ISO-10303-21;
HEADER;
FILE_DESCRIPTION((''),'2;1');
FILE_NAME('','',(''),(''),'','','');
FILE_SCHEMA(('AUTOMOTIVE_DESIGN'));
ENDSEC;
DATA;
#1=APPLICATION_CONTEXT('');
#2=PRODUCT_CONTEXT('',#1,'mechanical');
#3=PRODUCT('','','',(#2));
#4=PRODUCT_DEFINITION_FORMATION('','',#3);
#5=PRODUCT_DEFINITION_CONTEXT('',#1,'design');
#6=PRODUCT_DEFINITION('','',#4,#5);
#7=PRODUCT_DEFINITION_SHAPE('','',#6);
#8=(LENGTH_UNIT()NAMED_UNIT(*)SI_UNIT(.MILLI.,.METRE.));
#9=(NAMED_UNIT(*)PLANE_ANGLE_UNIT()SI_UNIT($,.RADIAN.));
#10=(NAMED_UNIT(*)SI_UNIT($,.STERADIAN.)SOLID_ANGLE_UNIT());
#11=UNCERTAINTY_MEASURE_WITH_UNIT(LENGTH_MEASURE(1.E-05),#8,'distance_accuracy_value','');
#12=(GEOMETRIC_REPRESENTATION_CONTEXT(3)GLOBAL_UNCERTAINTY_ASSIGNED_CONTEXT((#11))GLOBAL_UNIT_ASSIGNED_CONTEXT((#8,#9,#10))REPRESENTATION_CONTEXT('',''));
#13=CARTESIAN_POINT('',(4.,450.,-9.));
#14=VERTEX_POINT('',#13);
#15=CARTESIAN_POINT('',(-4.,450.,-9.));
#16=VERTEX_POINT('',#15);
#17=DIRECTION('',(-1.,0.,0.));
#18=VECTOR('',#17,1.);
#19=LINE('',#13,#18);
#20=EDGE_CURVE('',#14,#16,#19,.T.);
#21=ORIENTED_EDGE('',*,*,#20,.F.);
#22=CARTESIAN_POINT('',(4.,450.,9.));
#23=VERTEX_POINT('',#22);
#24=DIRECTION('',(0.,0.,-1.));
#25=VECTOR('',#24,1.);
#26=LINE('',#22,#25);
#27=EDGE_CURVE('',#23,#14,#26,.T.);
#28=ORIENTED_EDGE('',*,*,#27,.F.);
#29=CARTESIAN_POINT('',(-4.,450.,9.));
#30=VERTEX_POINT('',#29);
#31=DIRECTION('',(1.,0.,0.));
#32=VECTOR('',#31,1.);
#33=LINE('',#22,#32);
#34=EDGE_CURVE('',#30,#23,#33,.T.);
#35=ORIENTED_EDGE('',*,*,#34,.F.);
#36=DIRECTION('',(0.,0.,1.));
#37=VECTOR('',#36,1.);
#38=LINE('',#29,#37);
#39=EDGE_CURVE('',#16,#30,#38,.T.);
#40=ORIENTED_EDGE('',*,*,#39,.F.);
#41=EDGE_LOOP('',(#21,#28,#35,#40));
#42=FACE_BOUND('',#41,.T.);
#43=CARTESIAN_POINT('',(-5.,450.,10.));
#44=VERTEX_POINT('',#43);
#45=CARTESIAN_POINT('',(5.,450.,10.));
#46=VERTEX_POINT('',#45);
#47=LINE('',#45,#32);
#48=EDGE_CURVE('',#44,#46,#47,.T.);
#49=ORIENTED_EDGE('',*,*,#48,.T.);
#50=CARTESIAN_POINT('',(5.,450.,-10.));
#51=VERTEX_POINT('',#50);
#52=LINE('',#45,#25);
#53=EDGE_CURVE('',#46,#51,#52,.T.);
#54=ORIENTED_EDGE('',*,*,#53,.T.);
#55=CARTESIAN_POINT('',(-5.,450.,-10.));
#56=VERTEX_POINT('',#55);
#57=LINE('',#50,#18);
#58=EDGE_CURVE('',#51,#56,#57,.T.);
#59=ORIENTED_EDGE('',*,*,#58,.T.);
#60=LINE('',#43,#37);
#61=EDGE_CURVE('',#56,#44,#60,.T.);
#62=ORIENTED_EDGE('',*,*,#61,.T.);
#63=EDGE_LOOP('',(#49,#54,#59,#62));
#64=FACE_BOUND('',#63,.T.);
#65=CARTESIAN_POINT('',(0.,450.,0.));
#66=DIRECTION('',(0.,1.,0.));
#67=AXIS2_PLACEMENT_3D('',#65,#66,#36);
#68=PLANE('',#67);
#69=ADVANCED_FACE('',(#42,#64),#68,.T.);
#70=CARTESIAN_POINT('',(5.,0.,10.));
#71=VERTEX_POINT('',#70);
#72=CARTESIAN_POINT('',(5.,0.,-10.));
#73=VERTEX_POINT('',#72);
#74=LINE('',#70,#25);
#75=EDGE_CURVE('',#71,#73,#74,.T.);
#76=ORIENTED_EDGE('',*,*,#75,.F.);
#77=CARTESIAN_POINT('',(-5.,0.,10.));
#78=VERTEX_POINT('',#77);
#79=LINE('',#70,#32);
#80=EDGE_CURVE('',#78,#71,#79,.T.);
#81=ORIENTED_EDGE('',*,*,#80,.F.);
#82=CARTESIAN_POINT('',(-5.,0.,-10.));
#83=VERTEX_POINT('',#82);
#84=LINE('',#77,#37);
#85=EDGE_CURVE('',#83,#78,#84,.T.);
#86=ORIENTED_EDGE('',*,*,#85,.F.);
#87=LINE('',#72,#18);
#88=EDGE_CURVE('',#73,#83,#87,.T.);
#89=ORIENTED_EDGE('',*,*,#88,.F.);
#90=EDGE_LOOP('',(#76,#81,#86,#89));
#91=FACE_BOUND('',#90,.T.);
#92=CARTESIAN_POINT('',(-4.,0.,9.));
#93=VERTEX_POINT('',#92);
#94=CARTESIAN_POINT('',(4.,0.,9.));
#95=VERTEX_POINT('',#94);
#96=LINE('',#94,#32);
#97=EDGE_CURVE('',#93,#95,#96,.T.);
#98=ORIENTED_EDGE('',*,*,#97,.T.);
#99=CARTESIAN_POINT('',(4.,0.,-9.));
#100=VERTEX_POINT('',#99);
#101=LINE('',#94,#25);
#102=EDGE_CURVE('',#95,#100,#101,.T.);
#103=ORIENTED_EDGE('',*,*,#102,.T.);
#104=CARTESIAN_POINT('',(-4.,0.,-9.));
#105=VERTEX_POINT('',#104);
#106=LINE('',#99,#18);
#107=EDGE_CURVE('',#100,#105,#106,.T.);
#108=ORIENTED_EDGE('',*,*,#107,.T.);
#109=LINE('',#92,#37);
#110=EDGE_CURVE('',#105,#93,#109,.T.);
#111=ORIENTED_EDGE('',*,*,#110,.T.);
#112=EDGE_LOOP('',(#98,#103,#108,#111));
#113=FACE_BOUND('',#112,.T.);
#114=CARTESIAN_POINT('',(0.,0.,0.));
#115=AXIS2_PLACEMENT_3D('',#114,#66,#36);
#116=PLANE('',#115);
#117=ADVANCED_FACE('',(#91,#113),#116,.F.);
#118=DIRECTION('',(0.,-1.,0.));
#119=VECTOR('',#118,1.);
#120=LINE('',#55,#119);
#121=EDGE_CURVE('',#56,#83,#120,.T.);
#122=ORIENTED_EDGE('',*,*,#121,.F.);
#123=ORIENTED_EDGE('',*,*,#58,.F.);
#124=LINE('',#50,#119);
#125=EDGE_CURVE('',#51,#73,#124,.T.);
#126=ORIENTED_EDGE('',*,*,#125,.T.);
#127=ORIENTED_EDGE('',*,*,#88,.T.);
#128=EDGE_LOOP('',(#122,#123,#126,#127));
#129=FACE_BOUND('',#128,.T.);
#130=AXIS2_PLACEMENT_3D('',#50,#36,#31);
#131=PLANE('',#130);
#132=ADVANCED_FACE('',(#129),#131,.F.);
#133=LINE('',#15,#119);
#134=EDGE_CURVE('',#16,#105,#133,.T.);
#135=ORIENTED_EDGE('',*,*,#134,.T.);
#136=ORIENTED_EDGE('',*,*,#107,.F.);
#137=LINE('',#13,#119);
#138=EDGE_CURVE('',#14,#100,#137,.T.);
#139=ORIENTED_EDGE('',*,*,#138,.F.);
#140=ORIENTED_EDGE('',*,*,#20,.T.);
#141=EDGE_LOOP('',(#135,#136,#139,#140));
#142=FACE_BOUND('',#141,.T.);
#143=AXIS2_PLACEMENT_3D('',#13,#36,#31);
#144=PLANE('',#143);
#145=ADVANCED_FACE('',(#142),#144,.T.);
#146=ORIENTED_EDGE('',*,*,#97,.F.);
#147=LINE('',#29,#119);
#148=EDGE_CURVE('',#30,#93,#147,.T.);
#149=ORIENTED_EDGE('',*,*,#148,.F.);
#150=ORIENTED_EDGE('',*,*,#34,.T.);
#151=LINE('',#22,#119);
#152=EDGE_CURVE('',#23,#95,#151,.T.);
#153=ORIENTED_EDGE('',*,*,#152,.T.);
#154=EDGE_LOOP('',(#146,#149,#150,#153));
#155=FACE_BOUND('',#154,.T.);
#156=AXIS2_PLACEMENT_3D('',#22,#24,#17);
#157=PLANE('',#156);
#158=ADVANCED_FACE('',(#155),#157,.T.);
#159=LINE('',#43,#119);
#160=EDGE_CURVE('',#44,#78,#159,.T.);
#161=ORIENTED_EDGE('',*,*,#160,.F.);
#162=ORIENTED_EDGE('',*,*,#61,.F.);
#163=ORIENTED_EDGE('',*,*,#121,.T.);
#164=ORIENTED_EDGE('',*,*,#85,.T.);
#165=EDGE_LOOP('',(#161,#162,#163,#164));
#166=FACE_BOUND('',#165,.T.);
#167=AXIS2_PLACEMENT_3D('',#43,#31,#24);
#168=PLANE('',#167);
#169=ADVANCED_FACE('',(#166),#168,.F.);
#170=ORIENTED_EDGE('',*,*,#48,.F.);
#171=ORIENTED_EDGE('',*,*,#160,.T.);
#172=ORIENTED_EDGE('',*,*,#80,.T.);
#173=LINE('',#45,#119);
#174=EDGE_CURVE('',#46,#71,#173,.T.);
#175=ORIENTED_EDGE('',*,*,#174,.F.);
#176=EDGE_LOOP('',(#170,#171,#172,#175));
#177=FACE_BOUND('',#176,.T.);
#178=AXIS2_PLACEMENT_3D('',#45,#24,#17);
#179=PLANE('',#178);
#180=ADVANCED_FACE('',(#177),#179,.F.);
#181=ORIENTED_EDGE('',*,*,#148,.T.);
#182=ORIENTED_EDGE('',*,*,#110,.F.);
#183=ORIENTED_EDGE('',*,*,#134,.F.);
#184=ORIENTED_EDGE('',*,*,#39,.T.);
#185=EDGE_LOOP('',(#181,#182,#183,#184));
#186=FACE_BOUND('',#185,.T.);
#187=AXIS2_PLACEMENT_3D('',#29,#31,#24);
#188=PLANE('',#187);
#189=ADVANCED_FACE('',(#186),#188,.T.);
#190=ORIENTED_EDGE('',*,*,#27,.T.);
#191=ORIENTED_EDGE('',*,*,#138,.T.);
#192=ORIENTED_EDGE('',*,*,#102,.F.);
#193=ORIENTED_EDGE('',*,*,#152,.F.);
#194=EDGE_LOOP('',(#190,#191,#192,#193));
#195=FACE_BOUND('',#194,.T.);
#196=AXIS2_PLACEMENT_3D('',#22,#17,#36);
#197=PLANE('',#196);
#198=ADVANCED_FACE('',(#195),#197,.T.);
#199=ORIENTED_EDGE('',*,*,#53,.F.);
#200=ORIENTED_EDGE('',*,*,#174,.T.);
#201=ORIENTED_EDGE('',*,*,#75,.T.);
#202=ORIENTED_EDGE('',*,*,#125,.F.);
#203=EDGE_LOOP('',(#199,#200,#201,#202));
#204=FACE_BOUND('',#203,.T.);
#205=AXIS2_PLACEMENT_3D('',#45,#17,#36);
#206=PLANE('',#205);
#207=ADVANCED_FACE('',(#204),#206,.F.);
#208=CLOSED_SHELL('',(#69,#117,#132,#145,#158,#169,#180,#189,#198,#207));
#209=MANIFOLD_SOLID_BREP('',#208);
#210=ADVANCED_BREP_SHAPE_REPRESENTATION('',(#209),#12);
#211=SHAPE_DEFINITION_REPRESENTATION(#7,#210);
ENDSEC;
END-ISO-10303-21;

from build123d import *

# Parameters (mm, degrees)
SKETCH1_W           = 10
SKETCH1_H           = 20
SKETCH1_W_2         = 8
SKETCH1_H_2         = 18
BOSS_EXTRUDE1_DEPTH = 450


with BuildPart() as part:
    # Sketch1 → Boss-Extrude1 (new body)
    with BuildSketch(Plane(origin=(0, 0, 0), x_dir=(1, 0, 0), z_dir=(0, 1, 0))):
        Rectangle(SKETCH1_W, SKETCH1_H)
        Rectangle(SKETCH1_W_2, SKETCH1_H_2, mode=Mode.SUBTRACT)
    extrude(amount=BOSS_EXTRUDE1_DEPTH)


solid = part.part
